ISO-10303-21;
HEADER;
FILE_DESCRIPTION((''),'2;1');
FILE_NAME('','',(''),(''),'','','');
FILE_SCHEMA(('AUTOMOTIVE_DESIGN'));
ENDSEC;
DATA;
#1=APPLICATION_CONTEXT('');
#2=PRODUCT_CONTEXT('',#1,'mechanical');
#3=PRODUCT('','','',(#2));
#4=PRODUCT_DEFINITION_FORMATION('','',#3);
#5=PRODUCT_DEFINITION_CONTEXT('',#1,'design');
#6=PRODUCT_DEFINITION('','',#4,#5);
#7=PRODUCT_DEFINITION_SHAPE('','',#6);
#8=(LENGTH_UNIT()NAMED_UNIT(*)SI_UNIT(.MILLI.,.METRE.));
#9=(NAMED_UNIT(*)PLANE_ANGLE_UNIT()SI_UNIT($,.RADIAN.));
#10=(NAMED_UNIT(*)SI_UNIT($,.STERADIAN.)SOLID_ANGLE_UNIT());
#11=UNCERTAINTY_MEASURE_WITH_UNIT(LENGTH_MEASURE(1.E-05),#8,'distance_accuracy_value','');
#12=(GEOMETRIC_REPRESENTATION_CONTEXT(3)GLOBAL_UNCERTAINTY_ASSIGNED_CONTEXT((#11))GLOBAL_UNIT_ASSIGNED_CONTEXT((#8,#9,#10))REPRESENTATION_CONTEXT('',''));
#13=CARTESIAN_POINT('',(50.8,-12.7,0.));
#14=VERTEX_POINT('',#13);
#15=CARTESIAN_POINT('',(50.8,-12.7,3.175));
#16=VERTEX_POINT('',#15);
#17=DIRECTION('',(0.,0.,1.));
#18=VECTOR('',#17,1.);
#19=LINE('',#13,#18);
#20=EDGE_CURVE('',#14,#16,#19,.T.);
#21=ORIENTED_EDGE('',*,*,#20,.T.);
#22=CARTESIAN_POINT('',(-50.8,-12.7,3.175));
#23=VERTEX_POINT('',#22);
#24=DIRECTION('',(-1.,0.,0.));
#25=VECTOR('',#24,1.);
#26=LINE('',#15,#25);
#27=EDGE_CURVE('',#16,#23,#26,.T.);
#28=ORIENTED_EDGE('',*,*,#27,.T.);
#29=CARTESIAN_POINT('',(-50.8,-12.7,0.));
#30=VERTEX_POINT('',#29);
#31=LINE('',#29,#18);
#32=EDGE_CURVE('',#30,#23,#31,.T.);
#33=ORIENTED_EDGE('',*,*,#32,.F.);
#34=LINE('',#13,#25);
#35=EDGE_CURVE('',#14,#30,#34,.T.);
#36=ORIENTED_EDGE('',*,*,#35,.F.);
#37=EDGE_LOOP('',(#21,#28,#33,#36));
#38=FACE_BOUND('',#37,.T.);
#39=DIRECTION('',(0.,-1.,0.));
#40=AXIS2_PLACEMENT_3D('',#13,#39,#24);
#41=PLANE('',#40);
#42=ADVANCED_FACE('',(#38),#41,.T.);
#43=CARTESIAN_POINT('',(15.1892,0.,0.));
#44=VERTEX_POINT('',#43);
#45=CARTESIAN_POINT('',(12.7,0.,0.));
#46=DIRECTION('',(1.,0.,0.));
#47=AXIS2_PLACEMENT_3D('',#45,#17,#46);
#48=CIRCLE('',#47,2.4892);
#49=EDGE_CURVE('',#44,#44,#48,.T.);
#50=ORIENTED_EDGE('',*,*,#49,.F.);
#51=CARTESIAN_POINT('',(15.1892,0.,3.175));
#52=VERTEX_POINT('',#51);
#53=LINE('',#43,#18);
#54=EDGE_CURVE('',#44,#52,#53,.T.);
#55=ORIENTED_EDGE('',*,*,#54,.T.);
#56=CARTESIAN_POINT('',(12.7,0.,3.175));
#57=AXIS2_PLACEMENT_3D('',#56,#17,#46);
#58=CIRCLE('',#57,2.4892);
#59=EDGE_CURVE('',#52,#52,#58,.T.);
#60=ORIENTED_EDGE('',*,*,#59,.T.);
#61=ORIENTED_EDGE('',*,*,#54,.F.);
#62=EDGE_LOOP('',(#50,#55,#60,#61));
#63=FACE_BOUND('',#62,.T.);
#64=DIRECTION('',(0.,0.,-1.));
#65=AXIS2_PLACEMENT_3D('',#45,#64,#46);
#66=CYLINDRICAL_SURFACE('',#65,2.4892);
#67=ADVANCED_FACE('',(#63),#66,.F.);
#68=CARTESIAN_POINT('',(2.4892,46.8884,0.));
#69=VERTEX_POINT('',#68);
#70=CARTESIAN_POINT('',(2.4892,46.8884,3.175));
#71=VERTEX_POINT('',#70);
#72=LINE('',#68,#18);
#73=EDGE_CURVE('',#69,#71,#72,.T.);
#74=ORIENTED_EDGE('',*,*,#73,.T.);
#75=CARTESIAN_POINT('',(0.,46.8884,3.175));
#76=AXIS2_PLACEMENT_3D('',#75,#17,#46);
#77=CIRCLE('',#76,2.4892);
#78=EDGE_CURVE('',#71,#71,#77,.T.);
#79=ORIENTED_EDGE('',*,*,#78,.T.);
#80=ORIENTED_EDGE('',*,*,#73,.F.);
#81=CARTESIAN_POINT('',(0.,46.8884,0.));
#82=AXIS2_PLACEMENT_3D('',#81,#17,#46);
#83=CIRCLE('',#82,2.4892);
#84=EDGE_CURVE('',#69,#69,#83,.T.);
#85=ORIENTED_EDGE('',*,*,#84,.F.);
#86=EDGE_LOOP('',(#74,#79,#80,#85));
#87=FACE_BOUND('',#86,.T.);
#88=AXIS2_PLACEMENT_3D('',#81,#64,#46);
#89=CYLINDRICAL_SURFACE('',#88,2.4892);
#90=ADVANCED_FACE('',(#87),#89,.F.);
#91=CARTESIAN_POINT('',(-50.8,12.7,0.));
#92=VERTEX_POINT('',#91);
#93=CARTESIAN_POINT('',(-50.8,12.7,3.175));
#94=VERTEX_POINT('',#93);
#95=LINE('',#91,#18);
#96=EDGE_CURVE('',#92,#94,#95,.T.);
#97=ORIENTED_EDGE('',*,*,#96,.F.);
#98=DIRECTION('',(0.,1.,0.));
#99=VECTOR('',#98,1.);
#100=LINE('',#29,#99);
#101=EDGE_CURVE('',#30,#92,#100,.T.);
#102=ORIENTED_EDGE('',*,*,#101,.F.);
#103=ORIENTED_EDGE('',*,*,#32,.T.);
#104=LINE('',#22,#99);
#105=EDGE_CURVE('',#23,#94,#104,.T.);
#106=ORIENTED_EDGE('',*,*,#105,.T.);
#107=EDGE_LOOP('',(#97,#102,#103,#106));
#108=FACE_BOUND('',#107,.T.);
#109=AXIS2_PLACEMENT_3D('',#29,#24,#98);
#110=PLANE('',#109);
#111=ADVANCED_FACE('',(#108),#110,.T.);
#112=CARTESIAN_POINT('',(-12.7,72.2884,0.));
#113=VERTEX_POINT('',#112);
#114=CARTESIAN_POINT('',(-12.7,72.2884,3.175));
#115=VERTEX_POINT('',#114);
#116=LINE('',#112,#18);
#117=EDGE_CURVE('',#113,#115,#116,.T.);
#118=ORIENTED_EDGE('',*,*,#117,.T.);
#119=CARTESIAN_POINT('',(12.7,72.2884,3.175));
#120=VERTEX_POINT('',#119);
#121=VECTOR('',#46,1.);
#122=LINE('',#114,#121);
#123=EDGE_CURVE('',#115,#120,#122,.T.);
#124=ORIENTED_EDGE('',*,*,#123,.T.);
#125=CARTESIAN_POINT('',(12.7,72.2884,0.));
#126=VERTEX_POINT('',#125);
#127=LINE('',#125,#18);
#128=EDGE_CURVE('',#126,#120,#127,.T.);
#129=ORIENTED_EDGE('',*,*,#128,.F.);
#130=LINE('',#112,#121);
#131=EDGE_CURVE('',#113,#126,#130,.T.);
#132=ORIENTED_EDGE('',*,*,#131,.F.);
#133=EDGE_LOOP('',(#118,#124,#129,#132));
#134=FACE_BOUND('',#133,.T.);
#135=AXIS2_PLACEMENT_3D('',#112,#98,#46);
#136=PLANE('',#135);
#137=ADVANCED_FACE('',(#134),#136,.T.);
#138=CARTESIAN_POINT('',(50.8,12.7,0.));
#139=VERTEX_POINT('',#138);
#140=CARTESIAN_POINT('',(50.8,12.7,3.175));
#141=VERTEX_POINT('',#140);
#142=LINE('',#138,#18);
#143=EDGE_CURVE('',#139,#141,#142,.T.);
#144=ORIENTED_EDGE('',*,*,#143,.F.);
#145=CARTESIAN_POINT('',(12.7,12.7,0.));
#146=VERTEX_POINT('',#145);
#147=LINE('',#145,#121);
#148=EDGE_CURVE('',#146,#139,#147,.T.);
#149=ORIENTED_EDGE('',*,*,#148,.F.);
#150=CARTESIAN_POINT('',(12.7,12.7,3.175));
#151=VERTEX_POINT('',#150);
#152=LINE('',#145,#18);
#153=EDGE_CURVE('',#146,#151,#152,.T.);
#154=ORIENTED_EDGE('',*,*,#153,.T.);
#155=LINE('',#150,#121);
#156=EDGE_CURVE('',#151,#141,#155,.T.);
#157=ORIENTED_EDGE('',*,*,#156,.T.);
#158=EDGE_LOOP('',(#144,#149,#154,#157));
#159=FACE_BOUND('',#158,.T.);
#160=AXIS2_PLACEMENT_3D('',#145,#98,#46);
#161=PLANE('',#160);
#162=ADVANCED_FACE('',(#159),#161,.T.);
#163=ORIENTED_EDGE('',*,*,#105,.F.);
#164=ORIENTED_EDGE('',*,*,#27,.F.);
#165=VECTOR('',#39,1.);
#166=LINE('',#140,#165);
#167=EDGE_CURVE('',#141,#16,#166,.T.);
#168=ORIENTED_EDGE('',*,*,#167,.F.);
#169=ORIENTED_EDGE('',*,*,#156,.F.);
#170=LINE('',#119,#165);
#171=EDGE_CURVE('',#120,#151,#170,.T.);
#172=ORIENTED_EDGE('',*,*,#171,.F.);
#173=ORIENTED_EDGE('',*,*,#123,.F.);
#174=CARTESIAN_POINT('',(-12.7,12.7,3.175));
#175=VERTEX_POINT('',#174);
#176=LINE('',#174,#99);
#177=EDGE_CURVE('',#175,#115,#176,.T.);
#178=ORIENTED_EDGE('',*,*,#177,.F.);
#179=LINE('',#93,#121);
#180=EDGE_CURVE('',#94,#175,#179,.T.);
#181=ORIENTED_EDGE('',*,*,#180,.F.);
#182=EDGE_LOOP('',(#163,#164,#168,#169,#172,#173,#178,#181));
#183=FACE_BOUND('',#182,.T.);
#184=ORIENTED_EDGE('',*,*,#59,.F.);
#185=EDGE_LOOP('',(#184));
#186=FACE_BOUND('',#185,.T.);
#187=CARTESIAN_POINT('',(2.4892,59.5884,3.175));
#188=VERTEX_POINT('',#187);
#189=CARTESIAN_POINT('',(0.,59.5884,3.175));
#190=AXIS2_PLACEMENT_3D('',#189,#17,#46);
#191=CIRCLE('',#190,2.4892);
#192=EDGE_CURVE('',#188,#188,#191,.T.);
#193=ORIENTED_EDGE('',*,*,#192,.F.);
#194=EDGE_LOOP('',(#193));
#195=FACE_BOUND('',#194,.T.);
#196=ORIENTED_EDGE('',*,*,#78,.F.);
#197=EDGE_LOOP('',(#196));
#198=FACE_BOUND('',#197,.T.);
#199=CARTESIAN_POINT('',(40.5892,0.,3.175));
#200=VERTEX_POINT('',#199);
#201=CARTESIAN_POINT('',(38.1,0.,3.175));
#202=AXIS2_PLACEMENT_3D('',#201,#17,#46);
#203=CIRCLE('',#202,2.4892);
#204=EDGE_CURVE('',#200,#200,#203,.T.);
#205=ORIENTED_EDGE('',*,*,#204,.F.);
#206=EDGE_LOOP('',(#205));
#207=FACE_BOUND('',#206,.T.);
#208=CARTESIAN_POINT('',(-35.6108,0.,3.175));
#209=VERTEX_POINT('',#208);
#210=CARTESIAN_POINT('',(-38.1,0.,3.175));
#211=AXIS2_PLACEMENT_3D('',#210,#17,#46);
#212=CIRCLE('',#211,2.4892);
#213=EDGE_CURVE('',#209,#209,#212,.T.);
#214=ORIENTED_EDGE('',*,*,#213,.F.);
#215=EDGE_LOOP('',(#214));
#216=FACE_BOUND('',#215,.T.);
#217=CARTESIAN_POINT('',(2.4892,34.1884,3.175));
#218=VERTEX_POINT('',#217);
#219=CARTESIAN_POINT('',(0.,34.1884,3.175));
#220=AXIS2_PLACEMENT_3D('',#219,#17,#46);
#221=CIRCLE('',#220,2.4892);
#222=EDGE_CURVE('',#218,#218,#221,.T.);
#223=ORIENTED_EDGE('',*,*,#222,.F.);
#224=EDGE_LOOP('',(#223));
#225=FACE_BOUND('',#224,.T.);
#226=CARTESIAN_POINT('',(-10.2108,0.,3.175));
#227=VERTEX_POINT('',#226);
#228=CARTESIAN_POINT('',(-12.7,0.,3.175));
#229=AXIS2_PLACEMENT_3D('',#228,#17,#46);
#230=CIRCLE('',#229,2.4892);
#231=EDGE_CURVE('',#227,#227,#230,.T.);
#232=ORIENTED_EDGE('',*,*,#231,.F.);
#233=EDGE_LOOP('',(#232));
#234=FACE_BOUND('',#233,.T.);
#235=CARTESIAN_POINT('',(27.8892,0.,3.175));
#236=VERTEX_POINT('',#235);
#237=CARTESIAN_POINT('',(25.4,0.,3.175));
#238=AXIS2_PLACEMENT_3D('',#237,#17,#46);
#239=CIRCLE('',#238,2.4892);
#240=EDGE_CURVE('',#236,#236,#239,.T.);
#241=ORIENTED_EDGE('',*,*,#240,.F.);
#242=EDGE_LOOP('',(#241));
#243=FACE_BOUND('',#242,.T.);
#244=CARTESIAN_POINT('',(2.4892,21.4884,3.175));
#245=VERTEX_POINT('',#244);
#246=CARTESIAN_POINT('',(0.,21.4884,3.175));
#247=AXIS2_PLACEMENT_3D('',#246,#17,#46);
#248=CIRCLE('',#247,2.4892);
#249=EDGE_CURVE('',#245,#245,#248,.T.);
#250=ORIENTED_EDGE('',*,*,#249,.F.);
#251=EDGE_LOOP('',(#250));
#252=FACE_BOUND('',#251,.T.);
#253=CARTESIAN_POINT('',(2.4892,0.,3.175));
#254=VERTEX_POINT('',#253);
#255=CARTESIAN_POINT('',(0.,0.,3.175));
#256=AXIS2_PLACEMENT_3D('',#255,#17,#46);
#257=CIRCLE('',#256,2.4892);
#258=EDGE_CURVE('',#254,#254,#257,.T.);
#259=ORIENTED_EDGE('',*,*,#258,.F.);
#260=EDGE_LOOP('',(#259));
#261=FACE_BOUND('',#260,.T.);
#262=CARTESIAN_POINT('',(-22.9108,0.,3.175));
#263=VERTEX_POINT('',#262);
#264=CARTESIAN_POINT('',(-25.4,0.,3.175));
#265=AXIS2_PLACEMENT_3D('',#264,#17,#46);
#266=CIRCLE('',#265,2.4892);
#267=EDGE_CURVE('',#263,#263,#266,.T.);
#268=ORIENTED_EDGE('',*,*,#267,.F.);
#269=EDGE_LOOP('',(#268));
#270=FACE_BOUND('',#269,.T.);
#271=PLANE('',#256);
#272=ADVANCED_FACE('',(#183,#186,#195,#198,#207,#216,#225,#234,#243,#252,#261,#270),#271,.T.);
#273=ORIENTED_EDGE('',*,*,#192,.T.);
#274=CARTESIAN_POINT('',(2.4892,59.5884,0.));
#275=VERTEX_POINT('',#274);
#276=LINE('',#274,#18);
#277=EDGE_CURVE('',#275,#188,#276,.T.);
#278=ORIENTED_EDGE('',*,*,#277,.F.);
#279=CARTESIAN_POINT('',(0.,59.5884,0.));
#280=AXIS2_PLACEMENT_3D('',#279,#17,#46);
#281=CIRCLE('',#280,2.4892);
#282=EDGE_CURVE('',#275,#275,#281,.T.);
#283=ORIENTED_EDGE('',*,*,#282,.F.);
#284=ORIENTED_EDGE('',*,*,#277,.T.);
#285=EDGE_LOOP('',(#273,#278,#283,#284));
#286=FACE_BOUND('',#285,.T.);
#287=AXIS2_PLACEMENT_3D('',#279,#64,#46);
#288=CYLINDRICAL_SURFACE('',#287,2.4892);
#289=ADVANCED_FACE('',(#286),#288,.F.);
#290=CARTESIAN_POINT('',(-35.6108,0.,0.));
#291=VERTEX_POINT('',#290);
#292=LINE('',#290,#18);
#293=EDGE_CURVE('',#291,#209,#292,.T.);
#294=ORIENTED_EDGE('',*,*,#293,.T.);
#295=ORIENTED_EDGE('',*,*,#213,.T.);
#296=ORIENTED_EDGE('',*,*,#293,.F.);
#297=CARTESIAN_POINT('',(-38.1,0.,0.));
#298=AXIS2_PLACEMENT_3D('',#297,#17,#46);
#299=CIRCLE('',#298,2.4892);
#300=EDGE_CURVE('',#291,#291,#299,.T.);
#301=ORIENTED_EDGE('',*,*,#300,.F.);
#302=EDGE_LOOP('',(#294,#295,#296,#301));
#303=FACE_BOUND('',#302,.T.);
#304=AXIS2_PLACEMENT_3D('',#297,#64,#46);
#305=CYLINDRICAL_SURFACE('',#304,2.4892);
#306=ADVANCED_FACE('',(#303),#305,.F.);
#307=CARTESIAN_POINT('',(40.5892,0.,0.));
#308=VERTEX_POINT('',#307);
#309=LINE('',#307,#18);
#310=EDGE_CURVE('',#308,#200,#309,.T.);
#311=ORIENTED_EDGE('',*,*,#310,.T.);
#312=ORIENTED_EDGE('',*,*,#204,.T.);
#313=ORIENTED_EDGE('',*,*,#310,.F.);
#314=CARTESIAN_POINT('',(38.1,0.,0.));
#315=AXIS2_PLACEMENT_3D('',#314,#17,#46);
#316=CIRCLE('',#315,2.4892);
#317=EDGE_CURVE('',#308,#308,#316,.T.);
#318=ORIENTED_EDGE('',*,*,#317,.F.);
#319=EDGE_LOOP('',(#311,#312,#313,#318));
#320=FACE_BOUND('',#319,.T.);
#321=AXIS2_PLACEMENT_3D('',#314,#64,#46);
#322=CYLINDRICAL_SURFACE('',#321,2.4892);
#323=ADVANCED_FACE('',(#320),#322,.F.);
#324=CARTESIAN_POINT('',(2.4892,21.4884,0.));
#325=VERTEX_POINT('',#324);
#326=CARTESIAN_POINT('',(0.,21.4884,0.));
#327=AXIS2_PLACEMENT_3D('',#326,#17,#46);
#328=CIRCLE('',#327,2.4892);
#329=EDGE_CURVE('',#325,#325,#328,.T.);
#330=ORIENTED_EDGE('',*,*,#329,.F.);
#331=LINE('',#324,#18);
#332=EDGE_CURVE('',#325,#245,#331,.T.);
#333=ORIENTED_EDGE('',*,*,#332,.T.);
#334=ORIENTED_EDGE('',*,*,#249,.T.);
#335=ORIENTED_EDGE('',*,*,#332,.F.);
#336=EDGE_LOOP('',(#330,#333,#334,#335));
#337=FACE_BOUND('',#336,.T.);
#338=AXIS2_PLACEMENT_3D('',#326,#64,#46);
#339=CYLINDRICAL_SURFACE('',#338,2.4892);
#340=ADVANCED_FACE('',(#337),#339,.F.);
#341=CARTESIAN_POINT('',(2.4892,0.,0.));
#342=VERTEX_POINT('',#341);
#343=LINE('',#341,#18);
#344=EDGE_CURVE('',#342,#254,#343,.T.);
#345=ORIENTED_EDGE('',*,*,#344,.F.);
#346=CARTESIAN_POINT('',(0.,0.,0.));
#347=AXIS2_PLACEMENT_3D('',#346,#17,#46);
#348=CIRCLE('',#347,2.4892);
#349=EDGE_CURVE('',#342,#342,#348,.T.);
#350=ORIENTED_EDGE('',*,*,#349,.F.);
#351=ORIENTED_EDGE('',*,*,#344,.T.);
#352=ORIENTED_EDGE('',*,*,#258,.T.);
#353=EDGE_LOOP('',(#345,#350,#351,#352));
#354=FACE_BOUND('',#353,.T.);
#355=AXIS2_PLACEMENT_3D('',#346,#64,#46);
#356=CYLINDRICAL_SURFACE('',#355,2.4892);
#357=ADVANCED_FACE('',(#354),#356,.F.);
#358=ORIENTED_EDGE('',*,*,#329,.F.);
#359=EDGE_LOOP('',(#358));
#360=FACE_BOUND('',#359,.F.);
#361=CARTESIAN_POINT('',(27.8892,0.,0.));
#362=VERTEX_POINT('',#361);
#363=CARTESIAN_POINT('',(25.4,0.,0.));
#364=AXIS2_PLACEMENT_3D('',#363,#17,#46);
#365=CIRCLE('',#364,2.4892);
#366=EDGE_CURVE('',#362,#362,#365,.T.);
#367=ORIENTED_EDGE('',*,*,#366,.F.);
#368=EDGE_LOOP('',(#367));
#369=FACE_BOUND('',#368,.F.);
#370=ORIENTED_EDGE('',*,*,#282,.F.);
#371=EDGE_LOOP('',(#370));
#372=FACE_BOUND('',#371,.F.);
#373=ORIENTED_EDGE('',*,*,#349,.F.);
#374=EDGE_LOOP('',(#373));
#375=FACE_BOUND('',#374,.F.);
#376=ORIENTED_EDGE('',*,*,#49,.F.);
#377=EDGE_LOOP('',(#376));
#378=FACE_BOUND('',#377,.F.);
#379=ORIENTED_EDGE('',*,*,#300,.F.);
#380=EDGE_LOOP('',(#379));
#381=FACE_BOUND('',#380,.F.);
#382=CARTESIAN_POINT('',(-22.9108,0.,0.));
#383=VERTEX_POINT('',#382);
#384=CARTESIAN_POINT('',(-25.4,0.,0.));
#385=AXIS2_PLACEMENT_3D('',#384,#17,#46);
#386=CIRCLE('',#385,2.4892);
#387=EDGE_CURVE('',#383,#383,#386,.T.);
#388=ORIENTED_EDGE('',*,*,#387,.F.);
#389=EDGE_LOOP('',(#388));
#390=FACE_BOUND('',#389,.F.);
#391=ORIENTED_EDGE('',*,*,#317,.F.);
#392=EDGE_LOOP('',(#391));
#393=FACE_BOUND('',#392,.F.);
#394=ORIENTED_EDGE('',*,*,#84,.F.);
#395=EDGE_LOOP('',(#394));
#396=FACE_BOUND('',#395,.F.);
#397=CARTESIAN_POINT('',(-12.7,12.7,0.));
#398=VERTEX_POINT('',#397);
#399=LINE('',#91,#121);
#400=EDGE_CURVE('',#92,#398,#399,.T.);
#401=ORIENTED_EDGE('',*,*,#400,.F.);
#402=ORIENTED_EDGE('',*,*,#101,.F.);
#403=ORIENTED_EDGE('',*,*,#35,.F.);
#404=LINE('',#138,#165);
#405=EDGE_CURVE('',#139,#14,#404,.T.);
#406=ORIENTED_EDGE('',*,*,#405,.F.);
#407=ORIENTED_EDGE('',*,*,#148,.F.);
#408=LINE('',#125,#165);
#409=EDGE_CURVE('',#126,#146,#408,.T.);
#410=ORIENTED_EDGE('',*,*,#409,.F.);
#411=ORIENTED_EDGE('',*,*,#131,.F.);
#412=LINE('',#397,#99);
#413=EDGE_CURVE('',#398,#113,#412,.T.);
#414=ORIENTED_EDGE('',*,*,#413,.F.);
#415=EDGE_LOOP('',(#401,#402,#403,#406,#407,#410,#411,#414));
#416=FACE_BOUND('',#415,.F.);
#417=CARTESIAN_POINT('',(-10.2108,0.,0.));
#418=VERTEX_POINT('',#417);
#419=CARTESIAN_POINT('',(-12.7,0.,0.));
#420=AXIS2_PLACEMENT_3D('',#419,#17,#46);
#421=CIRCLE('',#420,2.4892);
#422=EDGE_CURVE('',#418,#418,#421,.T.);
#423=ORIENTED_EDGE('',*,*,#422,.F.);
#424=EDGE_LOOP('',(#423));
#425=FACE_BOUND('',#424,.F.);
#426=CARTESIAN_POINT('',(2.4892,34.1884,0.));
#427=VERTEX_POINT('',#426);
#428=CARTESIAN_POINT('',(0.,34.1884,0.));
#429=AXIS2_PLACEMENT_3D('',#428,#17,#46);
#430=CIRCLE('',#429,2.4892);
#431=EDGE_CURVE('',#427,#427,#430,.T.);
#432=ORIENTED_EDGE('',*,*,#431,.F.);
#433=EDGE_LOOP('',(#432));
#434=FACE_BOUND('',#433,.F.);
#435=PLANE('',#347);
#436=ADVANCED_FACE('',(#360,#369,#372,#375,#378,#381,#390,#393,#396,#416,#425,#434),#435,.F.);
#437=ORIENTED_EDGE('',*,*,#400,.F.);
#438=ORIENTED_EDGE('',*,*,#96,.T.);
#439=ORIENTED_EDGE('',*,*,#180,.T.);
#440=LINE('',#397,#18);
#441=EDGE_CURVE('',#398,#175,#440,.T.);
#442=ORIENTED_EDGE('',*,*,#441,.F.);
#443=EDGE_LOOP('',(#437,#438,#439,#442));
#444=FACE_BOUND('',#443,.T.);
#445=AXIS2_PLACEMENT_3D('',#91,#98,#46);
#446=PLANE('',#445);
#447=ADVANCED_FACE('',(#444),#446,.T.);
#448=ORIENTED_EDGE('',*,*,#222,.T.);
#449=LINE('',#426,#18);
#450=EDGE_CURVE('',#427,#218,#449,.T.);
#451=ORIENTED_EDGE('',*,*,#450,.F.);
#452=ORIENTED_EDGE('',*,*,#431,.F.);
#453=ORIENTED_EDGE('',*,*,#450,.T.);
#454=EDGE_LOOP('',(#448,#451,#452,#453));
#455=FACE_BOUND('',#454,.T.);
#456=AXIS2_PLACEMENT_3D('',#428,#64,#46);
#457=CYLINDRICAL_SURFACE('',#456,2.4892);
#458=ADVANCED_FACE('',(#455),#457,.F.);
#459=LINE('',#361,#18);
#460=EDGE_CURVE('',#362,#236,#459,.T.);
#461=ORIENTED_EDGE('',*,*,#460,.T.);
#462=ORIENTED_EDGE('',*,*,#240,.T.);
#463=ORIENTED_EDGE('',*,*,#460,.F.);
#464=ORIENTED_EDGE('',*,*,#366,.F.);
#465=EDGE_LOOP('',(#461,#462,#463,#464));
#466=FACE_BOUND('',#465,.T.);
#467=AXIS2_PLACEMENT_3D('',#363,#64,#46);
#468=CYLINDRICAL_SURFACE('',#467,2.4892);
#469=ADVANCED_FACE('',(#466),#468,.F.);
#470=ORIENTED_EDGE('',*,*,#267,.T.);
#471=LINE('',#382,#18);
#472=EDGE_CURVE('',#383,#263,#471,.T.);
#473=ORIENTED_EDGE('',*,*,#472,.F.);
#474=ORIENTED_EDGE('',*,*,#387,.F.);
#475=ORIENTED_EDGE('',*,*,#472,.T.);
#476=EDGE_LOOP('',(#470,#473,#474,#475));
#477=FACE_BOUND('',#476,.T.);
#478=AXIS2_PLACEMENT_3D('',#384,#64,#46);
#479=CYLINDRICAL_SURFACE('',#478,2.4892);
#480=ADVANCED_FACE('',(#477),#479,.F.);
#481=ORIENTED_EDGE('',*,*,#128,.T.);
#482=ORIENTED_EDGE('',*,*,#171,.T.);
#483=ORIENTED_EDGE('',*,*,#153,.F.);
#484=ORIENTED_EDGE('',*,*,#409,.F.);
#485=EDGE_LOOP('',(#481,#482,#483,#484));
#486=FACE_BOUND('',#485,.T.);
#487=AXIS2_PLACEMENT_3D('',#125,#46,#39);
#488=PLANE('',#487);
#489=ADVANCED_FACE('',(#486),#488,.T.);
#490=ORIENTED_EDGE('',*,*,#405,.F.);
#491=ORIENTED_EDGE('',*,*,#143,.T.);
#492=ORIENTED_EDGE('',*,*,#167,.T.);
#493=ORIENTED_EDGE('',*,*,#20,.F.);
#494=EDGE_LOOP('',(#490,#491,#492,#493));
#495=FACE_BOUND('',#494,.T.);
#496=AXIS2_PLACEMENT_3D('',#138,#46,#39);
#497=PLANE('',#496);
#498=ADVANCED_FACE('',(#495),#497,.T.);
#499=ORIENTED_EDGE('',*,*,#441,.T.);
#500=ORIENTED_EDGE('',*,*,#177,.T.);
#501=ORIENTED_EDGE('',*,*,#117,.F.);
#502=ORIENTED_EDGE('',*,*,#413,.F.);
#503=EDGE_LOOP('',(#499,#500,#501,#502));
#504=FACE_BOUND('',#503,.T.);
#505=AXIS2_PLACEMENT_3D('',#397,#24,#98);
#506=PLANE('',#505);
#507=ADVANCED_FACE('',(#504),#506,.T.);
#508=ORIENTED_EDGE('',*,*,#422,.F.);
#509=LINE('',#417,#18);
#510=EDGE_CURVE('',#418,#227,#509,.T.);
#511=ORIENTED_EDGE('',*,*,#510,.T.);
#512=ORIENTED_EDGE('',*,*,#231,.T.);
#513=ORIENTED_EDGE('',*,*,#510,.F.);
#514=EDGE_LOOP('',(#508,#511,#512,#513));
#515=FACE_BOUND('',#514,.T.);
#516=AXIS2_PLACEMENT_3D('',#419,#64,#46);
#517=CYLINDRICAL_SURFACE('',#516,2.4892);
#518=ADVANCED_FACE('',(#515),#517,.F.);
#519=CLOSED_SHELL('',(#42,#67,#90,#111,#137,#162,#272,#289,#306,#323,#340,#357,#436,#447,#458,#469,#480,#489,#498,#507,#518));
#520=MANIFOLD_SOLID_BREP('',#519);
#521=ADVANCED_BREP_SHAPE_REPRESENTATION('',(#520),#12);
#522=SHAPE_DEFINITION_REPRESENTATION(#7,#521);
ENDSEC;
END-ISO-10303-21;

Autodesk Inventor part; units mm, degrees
ref_plane "YZ Plane" through (0, 0, 0) normal (1, 0, 0) x (0, 1, 0)
ref_plane "XZ Plane" through (0, 0, 0) normal (0, 1, 0) x (-1, 0, 0)
ref_plane "XY Plane" through (0, 0, 0) normal (0, 0, 1) x (1, 0, 0)
sketch "Sketch1" plane through (0, 0, 0) normal (0, 0, 1) x (1, 0, 0)
  circle A0 centre (0, 0) radius 2.4892
  circle A1 centre (0, 21.4884) radius 2.4892
  line L0 (-15.227, -8.5114) -> (-2.527, -8.5114) construction
  line L1 (-8.877, -8.5114) -> (-8.877, -14.8614) construction
  circle A2 centre (12.7, 0) radius 2.4892
  circle A3 centre (25.4, 0) radius 2.4892
  circle A4 centre (38.1, 0) radius 2.4892
  circle A5 centre (-12.7, 0) radius 2.4892
  circle A6 centre (-25.4, 0) radius 2.4892
  circle A7 centre (-38.1, 0) radius 2.4892
  circle A8 centre (0, 34.1884) radius 2.4892
  circle A9 centre (0, 46.8884) radius 2.4892
  circle A10 centre (0, 59.5884) radius 2.4892
  line L2 (50.8, 12.7) -> (50.8, -12.7)
  line L3 (50.8, -12.7) -> (-50.8, -12.7)
  line L4 (-50.8, -12.7) -> (-50.8, 12.7)
  line L5 (-12.7, 72.2884) -> (12.7, 72.2884)
  line L6 (12.7, 72.2884) -> (12.7, 12.7)
  line L7 (-8.877, 12.7) -> (-12.7, 12.7)
  line L8 (-12.7, 12.7) -> (-12.7, 72.2884)
  line L9 (-50.8, 12.7) -> (-12.7, 12.7)
  line L10 (12.7, 12.7) -> (50.8, 12.7)
  dimension "d0" = 4.9784
  dimension "d1" = 4.9784
  dimension "d2" = 21.4884
  dimension "d3" = 12.7
  dimension "d4" = 6.35
  dimension "d7" = 12.7
  dimension "d14" = 12.7
  dimension "d21" = 12.7
  dimension "d33" = 25.4
extrude "Extrusion1" add sketch "Sketch1" along normal blind 3.175
properties part number "Custom-Underside-T-Gusset" material "Aluminum 6061"
